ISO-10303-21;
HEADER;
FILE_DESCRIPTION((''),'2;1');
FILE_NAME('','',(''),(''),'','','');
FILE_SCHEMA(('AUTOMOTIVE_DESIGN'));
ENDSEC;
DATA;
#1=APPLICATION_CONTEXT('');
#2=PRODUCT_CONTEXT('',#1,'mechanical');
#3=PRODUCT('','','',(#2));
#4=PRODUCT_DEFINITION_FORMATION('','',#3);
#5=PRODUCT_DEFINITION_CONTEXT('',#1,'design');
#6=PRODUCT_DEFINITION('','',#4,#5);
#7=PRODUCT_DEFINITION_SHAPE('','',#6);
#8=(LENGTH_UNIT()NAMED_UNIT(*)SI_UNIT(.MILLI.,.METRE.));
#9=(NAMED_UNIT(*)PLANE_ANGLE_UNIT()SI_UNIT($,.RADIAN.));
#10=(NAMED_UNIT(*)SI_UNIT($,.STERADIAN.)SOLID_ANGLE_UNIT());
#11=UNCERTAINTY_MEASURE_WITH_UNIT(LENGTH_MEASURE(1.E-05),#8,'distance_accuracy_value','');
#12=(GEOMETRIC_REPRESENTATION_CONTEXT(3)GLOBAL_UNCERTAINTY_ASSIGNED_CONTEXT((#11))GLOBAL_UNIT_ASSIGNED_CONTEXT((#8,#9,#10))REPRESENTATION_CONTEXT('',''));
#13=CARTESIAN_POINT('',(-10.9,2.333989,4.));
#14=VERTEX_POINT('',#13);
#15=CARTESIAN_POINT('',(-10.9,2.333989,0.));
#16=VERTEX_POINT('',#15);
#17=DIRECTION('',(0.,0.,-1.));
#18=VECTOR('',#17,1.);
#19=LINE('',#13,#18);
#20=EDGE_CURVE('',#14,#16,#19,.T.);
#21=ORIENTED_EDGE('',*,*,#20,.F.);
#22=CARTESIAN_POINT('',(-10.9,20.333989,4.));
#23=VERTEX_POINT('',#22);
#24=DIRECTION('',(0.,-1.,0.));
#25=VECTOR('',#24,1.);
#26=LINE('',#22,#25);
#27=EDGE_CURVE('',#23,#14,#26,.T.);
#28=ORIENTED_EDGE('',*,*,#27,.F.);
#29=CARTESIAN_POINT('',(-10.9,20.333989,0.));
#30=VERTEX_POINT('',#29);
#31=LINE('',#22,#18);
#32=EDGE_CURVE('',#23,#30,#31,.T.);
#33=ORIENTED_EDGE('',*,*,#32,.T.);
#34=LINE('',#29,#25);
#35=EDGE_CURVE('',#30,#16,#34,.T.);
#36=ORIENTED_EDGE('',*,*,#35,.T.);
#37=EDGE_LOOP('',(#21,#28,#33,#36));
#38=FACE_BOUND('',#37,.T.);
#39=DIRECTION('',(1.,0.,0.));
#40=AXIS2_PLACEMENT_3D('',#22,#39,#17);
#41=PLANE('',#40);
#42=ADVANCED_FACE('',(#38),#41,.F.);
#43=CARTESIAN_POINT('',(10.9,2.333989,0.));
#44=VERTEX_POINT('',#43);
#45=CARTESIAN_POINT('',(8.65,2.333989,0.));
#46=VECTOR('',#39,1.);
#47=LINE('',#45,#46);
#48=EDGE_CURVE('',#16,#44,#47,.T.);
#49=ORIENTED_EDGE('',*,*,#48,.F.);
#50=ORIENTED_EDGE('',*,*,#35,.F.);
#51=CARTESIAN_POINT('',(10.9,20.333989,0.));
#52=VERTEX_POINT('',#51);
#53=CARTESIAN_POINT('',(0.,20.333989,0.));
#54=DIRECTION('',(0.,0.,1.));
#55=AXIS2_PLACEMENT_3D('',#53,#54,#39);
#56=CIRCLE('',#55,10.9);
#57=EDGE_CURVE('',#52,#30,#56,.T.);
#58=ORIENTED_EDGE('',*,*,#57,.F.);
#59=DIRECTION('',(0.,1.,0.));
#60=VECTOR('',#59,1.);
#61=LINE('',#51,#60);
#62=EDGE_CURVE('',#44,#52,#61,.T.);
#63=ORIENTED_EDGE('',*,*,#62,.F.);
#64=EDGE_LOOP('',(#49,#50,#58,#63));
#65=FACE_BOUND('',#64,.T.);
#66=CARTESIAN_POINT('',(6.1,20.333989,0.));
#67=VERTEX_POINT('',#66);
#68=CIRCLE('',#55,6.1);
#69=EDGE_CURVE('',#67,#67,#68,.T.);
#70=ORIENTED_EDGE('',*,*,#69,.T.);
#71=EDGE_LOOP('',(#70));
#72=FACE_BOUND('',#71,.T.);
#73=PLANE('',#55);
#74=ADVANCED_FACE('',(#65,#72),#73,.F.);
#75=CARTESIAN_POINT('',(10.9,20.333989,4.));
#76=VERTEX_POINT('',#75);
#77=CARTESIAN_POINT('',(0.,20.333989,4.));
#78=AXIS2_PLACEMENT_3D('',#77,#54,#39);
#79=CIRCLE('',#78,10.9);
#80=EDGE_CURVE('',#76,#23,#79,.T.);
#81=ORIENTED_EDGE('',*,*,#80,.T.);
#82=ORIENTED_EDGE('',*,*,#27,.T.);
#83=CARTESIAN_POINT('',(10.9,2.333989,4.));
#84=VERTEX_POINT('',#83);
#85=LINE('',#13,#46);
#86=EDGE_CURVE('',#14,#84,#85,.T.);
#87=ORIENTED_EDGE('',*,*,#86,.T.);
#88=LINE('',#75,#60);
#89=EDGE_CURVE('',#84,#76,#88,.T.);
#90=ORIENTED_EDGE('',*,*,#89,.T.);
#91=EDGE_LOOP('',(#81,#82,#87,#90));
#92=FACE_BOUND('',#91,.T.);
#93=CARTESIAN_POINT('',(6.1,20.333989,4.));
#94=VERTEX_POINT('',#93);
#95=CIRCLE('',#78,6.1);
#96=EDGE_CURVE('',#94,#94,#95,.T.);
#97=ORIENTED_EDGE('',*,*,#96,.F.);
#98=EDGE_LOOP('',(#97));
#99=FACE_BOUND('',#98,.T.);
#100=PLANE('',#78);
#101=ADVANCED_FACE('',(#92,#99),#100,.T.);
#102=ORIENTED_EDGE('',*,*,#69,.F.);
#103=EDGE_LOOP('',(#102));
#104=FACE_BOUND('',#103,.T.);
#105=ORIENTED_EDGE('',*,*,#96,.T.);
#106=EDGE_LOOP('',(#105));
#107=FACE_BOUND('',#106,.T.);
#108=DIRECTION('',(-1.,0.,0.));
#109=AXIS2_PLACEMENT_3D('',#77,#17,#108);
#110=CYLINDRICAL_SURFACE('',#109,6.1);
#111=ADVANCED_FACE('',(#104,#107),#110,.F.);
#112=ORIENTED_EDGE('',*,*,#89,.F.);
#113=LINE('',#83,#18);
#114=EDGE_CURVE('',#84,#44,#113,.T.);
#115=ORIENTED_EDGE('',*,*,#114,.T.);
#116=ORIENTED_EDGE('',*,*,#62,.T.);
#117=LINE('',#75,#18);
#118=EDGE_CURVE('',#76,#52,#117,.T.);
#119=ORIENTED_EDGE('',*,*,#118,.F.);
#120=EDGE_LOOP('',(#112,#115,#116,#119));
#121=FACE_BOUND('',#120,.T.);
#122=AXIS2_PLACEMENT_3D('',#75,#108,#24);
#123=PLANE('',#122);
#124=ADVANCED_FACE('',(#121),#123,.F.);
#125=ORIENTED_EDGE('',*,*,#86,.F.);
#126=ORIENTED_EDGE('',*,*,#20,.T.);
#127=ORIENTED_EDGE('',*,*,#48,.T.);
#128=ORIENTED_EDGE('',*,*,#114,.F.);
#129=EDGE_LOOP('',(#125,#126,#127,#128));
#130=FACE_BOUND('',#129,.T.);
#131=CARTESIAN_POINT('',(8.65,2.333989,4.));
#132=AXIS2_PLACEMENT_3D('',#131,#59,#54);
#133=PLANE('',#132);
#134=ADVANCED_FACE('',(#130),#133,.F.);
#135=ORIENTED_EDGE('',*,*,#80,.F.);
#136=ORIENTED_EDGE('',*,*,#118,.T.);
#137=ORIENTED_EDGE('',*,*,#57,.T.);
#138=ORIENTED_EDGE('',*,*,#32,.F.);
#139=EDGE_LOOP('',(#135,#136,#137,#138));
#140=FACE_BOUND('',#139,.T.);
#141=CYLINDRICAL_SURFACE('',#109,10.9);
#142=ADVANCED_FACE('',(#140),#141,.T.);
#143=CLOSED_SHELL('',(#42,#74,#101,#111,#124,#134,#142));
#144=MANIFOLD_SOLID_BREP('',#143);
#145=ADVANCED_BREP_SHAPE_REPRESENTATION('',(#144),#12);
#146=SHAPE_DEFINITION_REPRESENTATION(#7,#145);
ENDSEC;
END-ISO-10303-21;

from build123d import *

# Parameters (mm, degrees)
SKETCH_1_R      = 6.1
EXTRUDE_1_DEPTH = 4


with BuildPart() as part:
    # 스케치1 → 보스-돌출1 (new body)
    with BuildSketch(Plane.XY):
        with BuildLine():
            Line((-10.9, 20.333989173), (-10.9, 2.333989173))
            Line((-10.9, 2.333989173), (-8.65, 2.333989173))
            Line((-8.65, 2.333989173), (8.65, 2.333989173))
            Line((8.65, 2.333989173), (10.9, 2.333989173))
            Line((10.9, 2.333989173), (10.9, 20.333989173))
            ThreePointArc((10.9, 20.333989173), (0, 31.233989173), (-10.9, 20.333989173))
        make_face()
        with Locations((0, 20.333989173)):
            Circle(SKETCH_1_R, mode=Mode.SUBTRACT)
    extrude(amount=EXTRUDE_1_DEPTH)


solid = part.part
